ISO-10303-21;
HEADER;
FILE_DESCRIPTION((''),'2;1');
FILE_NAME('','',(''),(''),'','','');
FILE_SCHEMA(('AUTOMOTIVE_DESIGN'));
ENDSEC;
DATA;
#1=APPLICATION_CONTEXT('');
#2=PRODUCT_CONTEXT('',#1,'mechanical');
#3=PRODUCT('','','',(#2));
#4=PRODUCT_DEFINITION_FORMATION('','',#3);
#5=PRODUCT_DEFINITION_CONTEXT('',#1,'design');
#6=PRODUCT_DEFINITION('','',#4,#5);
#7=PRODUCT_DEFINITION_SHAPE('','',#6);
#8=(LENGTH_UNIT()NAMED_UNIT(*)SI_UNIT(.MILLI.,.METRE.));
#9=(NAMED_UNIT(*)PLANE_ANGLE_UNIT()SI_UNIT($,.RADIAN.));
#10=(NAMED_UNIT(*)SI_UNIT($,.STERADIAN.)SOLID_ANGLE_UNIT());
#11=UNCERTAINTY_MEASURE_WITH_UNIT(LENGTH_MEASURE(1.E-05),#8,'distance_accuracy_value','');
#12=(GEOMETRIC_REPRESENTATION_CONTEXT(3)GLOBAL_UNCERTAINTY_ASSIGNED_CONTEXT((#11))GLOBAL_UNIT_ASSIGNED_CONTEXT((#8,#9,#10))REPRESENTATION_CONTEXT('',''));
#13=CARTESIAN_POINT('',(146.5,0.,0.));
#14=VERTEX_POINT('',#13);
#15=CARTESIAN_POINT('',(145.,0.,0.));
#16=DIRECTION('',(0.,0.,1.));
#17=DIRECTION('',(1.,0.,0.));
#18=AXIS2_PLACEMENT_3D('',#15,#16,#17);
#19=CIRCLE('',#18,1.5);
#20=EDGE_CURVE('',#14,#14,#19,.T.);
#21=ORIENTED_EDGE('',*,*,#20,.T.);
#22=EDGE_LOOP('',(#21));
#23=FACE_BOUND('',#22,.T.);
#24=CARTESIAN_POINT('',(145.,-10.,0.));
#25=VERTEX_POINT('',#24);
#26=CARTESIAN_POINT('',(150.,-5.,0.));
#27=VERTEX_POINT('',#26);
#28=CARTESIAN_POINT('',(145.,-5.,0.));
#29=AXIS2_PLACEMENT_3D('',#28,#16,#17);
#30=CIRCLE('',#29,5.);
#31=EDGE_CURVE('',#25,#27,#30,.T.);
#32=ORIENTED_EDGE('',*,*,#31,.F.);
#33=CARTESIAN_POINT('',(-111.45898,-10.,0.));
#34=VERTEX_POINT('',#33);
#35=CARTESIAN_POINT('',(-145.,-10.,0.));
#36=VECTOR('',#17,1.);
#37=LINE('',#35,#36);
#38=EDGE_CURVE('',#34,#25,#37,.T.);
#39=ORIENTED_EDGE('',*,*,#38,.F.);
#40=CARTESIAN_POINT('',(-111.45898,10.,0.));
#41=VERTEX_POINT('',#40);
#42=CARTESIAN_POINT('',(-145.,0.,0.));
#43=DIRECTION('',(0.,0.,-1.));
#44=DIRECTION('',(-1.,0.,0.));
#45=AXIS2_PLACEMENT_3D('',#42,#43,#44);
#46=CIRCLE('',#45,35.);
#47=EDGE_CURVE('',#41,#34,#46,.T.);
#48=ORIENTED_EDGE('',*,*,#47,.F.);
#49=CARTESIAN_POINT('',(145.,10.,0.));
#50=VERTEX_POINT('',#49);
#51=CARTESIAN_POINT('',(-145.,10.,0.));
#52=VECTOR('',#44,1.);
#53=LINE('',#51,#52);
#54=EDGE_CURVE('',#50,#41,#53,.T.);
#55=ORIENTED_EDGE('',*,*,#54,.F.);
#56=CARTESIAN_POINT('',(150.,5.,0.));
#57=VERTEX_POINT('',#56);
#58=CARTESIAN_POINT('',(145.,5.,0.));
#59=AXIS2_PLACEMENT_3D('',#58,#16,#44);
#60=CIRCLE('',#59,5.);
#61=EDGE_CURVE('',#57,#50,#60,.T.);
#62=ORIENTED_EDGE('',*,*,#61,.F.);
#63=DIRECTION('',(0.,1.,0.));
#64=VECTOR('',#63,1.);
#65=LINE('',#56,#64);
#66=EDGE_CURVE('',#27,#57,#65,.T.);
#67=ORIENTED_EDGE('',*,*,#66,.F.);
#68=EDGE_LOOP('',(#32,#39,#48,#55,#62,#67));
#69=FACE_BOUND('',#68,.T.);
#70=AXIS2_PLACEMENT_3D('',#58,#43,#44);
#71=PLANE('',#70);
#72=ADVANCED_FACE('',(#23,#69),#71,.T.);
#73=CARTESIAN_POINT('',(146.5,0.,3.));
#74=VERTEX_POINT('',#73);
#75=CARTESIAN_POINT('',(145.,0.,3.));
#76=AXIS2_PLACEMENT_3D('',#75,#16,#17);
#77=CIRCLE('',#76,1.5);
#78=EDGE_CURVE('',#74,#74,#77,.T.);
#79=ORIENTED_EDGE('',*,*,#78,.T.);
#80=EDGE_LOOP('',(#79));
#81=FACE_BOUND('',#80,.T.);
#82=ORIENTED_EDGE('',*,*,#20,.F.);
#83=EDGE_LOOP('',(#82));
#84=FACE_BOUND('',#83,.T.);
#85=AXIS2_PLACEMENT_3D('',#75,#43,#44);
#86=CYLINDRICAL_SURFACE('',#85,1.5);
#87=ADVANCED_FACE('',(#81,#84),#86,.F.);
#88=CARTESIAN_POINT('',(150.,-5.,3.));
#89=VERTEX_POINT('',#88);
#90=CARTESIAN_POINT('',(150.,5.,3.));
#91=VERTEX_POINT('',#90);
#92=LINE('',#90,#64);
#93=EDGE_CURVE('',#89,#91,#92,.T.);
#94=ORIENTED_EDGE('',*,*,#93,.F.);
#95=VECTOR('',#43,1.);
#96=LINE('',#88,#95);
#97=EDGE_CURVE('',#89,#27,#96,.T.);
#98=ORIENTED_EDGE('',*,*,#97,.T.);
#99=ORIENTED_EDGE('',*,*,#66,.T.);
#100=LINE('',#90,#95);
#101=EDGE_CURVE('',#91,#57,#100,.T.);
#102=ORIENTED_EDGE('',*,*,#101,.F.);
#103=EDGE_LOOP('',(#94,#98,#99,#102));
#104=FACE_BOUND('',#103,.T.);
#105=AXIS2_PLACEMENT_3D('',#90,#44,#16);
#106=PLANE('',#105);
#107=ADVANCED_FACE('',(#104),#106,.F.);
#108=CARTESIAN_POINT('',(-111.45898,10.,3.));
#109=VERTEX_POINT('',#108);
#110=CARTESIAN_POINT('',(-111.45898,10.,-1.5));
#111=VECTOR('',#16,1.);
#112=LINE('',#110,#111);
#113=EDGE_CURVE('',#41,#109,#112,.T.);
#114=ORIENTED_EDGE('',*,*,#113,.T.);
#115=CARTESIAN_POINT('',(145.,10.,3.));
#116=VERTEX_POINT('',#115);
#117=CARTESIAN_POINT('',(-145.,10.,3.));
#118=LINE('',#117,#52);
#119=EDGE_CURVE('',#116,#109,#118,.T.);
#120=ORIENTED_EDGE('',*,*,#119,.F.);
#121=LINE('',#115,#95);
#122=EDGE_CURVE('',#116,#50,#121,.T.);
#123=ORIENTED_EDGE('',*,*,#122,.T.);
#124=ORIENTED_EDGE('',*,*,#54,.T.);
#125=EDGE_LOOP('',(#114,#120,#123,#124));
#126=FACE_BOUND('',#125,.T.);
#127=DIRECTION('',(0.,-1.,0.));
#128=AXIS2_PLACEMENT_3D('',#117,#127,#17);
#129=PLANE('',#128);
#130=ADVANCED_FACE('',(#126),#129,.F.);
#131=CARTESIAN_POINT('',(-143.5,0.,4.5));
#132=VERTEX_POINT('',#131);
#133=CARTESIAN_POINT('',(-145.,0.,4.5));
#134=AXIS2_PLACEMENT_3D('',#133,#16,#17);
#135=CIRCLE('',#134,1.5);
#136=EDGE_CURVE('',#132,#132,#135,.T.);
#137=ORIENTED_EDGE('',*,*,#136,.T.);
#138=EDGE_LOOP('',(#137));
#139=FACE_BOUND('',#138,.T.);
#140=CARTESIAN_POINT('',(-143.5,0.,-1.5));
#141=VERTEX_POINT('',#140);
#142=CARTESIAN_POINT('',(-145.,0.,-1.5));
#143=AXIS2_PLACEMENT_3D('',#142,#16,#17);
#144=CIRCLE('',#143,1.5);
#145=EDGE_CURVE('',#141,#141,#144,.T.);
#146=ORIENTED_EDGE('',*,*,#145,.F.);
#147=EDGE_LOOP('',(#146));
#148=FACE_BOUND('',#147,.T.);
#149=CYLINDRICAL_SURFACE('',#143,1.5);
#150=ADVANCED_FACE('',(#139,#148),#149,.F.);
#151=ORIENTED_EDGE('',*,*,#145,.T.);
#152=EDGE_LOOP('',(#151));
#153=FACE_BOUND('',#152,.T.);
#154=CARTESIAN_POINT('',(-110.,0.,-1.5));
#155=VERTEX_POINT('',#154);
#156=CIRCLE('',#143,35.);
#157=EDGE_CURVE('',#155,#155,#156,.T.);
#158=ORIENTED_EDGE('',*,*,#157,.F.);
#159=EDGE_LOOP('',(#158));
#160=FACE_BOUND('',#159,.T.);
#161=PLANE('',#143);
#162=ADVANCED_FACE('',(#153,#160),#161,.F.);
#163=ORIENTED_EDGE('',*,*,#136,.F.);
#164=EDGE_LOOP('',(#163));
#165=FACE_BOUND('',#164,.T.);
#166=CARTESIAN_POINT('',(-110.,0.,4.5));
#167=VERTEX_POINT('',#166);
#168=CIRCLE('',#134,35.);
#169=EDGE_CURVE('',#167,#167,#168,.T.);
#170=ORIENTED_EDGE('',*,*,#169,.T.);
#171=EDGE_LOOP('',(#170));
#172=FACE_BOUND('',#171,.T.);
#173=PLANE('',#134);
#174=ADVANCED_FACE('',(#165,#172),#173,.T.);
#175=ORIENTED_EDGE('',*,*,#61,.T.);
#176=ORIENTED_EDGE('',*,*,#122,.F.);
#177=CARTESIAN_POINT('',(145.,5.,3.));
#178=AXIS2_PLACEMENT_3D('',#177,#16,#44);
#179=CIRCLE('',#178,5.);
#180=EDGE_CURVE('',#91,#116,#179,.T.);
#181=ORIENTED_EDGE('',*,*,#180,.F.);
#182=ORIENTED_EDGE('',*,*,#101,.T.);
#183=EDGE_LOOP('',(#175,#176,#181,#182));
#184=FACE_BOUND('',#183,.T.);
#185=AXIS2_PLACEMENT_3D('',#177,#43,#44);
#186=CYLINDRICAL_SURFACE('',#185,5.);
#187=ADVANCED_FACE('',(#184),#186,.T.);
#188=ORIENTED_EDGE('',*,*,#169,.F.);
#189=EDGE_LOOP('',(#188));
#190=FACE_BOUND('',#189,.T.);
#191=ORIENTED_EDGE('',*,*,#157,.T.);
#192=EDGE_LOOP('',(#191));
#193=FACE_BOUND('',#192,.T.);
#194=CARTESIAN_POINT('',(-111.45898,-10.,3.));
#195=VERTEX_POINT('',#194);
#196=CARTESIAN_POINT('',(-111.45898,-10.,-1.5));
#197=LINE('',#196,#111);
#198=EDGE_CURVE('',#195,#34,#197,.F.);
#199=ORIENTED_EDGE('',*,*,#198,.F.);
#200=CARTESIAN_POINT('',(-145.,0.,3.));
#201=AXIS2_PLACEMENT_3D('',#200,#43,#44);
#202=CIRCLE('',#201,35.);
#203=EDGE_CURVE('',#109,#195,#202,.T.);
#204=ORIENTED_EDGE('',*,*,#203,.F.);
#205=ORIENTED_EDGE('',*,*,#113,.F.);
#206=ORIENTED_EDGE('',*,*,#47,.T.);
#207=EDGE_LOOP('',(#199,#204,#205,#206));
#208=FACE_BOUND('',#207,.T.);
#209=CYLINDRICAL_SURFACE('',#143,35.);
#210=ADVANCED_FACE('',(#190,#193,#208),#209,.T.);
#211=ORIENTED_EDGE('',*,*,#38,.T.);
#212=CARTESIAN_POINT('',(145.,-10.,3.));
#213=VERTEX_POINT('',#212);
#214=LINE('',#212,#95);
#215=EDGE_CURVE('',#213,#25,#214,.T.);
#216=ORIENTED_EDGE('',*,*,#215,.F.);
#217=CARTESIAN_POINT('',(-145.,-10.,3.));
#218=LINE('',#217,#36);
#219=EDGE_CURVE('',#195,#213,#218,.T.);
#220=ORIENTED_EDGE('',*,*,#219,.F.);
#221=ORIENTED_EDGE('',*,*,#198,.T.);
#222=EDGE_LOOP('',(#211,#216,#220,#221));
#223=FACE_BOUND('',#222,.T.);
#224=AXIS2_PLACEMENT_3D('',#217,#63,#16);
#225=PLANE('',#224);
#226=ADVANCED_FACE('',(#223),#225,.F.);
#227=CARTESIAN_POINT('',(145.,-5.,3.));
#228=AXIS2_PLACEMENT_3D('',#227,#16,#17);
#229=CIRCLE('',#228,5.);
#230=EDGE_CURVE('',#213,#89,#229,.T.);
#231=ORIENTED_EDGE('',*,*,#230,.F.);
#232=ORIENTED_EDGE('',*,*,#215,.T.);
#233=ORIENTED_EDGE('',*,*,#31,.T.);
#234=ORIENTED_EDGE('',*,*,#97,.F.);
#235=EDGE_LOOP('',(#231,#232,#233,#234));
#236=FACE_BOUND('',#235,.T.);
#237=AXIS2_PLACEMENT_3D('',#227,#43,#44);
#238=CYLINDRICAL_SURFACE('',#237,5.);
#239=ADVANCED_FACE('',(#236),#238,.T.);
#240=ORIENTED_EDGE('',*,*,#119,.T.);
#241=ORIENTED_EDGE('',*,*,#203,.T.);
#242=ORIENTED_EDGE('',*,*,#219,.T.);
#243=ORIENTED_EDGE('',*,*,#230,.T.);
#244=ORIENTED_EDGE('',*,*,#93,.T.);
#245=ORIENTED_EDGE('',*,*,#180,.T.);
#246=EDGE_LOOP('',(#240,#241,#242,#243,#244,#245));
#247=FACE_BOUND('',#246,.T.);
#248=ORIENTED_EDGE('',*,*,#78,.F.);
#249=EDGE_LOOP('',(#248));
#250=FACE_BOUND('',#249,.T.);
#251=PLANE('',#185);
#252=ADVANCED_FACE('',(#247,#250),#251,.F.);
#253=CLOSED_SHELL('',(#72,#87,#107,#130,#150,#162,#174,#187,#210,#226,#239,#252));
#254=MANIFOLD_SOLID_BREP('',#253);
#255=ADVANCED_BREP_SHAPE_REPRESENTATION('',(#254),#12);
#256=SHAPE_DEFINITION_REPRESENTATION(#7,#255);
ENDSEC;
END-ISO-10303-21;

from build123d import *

# Parameters (mm, degrees)
SKETCH1_R                = 1.5
BOSS_EXTRUDE1_DEPTH      = 3
BOSS_EXTRUDE2_DEPTH      = 3
BOSS_EXTRUDE2_DEPTH_BACK = 3
BOSS_EXTRUDE2_START      = 1.5
SKETCH4_R                = 35
SKETCH9_R                = 1.5
CUT_EXTRUDE1_DEPTH       = 184.469343488


with BuildPart() as part:
    # Sketch1 → Boss-Extrude1 (new body)
    with BuildSketch(Plane.XY):
        with BuildLine():
            Line((-145, 10), (145, 10))
            ThreePointArc((145, 10), (148.535533906, 8.535533906), (150, 5))
            Line((150, 5), (150, -5))
            ThreePointArc((150, -5), (148.535533906, -8.535533906), (145, -10))
            Line((145, -10), (-145, -10))
            ThreePointArc((-145, -10), (-148.535533906, -8.535533906), (-150, -5))
            Line((-150, -5), (-150, 5))
            ThreePointArc((-150, 5), (-148.535533906, 8.535533906), (-145, 10))
        make_face()
        with Locations((145, 0)):
            Circle(SKETCH1_R, mode=Mode.SUBTRACT)
    extrude(amount=BOSS_EXTRUDE1_DEPTH)

    # Sketch4 → Boss-Extrude2 (add, two sides: drawn at the far end of the back side and taken through both)
    with BuildSketch(Plane.XY.offset(BOSS_EXTRUDE2_START - BOSS_EXTRUDE2_DEPTH_BACK)):
        with Locations((-145, 0)):
            Circle(SKETCH4_R)
    extrude(amount=BOSS_EXTRUDE2_DEPTH + BOSS_EXTRUDE2_DEPTH_BACK)

    # Sketch9 → Cut-Extrude1 (cut, through all)
    with BuildSketch(Plane.XY.offset(4.5)):
        with Locations((-145, 0)):
            Circle(SKETCH9_R)
    extrude(amount=-CUT_EXTRUDE1_DEPTH, mode=Mode.SUBTRACT)


solid = part.part
